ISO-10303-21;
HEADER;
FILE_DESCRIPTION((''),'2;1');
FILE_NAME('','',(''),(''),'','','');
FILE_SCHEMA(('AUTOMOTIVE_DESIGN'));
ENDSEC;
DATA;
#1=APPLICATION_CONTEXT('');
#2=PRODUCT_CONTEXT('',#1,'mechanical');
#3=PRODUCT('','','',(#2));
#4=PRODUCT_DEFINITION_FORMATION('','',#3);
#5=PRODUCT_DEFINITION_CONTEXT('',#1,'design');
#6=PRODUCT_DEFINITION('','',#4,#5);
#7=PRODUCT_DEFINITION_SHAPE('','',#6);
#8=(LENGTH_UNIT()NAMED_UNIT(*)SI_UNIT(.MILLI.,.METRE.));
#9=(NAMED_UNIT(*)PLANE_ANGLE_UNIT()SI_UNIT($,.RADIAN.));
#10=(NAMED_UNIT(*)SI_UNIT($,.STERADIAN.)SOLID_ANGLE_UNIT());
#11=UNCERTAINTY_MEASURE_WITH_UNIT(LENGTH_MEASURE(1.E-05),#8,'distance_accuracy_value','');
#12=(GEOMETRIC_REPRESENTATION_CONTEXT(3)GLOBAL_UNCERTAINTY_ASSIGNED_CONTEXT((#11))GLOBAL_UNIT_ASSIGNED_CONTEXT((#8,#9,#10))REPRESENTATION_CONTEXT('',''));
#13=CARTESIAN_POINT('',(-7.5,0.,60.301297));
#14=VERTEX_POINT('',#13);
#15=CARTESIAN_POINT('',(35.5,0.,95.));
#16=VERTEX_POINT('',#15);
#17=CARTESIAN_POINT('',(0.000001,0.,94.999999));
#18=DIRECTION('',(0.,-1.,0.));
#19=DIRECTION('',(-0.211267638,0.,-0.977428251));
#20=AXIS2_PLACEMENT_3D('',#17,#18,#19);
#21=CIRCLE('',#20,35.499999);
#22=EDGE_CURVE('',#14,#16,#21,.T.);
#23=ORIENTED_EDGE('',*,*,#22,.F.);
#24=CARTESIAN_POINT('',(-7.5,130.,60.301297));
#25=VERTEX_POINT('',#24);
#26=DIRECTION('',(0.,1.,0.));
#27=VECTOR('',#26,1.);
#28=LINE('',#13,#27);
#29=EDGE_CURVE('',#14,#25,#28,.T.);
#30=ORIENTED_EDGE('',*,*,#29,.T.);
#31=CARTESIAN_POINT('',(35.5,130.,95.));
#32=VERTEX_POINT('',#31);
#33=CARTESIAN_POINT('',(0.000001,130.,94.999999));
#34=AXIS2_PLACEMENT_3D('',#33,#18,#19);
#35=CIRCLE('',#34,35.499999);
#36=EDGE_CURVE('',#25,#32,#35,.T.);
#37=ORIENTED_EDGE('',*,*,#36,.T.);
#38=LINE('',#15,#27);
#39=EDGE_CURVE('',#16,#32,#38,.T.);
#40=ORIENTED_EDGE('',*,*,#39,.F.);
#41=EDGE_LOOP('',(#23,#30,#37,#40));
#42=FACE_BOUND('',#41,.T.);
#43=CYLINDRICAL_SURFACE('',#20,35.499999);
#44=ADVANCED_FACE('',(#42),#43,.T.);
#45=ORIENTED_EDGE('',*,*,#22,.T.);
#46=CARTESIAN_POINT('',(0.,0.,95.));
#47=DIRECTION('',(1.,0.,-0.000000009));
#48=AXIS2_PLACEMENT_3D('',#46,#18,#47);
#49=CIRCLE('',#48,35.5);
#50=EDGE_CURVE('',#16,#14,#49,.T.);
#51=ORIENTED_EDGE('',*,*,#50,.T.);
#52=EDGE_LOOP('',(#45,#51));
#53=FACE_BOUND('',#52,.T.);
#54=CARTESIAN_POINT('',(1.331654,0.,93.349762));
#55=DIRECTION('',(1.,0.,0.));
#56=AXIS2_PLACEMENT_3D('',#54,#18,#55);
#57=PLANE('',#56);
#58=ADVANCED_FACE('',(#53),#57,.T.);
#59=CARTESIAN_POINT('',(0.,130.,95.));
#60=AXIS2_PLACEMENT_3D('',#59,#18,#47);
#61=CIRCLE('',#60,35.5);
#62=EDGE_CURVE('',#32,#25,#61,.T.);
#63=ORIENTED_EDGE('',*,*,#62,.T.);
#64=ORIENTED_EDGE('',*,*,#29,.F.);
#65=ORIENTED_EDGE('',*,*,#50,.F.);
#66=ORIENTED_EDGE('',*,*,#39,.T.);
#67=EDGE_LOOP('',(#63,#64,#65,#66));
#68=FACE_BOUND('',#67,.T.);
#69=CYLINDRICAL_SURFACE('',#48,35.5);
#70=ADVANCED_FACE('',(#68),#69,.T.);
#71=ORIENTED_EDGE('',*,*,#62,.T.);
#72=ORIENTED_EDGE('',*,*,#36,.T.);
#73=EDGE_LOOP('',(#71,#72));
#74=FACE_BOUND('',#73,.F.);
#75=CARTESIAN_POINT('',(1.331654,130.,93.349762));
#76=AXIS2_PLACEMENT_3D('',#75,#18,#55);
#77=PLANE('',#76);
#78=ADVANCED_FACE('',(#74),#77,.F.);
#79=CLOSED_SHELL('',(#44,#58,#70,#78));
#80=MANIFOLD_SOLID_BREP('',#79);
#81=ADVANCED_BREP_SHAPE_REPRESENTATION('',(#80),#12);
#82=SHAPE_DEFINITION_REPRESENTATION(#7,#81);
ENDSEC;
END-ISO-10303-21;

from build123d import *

# Parameters (mm, degrees)
F1_DEPTH = 130


with BuildPart() as f1:
    # F0 (on Front) → F1 (new body)
    with BuildSketch(Plane.XZ):
        with BuildLine():
            ThreePointArc((-7.5, 60.301297), (22.293497, 67.37302), (35.5, 95))
            ThreePointArc((35.5, 95), (-22.293497, 122.62698), (-7.5, 60.301297))
        make_face()
    extrude(amount=-F1_DEPTH)


solid = f1.part
